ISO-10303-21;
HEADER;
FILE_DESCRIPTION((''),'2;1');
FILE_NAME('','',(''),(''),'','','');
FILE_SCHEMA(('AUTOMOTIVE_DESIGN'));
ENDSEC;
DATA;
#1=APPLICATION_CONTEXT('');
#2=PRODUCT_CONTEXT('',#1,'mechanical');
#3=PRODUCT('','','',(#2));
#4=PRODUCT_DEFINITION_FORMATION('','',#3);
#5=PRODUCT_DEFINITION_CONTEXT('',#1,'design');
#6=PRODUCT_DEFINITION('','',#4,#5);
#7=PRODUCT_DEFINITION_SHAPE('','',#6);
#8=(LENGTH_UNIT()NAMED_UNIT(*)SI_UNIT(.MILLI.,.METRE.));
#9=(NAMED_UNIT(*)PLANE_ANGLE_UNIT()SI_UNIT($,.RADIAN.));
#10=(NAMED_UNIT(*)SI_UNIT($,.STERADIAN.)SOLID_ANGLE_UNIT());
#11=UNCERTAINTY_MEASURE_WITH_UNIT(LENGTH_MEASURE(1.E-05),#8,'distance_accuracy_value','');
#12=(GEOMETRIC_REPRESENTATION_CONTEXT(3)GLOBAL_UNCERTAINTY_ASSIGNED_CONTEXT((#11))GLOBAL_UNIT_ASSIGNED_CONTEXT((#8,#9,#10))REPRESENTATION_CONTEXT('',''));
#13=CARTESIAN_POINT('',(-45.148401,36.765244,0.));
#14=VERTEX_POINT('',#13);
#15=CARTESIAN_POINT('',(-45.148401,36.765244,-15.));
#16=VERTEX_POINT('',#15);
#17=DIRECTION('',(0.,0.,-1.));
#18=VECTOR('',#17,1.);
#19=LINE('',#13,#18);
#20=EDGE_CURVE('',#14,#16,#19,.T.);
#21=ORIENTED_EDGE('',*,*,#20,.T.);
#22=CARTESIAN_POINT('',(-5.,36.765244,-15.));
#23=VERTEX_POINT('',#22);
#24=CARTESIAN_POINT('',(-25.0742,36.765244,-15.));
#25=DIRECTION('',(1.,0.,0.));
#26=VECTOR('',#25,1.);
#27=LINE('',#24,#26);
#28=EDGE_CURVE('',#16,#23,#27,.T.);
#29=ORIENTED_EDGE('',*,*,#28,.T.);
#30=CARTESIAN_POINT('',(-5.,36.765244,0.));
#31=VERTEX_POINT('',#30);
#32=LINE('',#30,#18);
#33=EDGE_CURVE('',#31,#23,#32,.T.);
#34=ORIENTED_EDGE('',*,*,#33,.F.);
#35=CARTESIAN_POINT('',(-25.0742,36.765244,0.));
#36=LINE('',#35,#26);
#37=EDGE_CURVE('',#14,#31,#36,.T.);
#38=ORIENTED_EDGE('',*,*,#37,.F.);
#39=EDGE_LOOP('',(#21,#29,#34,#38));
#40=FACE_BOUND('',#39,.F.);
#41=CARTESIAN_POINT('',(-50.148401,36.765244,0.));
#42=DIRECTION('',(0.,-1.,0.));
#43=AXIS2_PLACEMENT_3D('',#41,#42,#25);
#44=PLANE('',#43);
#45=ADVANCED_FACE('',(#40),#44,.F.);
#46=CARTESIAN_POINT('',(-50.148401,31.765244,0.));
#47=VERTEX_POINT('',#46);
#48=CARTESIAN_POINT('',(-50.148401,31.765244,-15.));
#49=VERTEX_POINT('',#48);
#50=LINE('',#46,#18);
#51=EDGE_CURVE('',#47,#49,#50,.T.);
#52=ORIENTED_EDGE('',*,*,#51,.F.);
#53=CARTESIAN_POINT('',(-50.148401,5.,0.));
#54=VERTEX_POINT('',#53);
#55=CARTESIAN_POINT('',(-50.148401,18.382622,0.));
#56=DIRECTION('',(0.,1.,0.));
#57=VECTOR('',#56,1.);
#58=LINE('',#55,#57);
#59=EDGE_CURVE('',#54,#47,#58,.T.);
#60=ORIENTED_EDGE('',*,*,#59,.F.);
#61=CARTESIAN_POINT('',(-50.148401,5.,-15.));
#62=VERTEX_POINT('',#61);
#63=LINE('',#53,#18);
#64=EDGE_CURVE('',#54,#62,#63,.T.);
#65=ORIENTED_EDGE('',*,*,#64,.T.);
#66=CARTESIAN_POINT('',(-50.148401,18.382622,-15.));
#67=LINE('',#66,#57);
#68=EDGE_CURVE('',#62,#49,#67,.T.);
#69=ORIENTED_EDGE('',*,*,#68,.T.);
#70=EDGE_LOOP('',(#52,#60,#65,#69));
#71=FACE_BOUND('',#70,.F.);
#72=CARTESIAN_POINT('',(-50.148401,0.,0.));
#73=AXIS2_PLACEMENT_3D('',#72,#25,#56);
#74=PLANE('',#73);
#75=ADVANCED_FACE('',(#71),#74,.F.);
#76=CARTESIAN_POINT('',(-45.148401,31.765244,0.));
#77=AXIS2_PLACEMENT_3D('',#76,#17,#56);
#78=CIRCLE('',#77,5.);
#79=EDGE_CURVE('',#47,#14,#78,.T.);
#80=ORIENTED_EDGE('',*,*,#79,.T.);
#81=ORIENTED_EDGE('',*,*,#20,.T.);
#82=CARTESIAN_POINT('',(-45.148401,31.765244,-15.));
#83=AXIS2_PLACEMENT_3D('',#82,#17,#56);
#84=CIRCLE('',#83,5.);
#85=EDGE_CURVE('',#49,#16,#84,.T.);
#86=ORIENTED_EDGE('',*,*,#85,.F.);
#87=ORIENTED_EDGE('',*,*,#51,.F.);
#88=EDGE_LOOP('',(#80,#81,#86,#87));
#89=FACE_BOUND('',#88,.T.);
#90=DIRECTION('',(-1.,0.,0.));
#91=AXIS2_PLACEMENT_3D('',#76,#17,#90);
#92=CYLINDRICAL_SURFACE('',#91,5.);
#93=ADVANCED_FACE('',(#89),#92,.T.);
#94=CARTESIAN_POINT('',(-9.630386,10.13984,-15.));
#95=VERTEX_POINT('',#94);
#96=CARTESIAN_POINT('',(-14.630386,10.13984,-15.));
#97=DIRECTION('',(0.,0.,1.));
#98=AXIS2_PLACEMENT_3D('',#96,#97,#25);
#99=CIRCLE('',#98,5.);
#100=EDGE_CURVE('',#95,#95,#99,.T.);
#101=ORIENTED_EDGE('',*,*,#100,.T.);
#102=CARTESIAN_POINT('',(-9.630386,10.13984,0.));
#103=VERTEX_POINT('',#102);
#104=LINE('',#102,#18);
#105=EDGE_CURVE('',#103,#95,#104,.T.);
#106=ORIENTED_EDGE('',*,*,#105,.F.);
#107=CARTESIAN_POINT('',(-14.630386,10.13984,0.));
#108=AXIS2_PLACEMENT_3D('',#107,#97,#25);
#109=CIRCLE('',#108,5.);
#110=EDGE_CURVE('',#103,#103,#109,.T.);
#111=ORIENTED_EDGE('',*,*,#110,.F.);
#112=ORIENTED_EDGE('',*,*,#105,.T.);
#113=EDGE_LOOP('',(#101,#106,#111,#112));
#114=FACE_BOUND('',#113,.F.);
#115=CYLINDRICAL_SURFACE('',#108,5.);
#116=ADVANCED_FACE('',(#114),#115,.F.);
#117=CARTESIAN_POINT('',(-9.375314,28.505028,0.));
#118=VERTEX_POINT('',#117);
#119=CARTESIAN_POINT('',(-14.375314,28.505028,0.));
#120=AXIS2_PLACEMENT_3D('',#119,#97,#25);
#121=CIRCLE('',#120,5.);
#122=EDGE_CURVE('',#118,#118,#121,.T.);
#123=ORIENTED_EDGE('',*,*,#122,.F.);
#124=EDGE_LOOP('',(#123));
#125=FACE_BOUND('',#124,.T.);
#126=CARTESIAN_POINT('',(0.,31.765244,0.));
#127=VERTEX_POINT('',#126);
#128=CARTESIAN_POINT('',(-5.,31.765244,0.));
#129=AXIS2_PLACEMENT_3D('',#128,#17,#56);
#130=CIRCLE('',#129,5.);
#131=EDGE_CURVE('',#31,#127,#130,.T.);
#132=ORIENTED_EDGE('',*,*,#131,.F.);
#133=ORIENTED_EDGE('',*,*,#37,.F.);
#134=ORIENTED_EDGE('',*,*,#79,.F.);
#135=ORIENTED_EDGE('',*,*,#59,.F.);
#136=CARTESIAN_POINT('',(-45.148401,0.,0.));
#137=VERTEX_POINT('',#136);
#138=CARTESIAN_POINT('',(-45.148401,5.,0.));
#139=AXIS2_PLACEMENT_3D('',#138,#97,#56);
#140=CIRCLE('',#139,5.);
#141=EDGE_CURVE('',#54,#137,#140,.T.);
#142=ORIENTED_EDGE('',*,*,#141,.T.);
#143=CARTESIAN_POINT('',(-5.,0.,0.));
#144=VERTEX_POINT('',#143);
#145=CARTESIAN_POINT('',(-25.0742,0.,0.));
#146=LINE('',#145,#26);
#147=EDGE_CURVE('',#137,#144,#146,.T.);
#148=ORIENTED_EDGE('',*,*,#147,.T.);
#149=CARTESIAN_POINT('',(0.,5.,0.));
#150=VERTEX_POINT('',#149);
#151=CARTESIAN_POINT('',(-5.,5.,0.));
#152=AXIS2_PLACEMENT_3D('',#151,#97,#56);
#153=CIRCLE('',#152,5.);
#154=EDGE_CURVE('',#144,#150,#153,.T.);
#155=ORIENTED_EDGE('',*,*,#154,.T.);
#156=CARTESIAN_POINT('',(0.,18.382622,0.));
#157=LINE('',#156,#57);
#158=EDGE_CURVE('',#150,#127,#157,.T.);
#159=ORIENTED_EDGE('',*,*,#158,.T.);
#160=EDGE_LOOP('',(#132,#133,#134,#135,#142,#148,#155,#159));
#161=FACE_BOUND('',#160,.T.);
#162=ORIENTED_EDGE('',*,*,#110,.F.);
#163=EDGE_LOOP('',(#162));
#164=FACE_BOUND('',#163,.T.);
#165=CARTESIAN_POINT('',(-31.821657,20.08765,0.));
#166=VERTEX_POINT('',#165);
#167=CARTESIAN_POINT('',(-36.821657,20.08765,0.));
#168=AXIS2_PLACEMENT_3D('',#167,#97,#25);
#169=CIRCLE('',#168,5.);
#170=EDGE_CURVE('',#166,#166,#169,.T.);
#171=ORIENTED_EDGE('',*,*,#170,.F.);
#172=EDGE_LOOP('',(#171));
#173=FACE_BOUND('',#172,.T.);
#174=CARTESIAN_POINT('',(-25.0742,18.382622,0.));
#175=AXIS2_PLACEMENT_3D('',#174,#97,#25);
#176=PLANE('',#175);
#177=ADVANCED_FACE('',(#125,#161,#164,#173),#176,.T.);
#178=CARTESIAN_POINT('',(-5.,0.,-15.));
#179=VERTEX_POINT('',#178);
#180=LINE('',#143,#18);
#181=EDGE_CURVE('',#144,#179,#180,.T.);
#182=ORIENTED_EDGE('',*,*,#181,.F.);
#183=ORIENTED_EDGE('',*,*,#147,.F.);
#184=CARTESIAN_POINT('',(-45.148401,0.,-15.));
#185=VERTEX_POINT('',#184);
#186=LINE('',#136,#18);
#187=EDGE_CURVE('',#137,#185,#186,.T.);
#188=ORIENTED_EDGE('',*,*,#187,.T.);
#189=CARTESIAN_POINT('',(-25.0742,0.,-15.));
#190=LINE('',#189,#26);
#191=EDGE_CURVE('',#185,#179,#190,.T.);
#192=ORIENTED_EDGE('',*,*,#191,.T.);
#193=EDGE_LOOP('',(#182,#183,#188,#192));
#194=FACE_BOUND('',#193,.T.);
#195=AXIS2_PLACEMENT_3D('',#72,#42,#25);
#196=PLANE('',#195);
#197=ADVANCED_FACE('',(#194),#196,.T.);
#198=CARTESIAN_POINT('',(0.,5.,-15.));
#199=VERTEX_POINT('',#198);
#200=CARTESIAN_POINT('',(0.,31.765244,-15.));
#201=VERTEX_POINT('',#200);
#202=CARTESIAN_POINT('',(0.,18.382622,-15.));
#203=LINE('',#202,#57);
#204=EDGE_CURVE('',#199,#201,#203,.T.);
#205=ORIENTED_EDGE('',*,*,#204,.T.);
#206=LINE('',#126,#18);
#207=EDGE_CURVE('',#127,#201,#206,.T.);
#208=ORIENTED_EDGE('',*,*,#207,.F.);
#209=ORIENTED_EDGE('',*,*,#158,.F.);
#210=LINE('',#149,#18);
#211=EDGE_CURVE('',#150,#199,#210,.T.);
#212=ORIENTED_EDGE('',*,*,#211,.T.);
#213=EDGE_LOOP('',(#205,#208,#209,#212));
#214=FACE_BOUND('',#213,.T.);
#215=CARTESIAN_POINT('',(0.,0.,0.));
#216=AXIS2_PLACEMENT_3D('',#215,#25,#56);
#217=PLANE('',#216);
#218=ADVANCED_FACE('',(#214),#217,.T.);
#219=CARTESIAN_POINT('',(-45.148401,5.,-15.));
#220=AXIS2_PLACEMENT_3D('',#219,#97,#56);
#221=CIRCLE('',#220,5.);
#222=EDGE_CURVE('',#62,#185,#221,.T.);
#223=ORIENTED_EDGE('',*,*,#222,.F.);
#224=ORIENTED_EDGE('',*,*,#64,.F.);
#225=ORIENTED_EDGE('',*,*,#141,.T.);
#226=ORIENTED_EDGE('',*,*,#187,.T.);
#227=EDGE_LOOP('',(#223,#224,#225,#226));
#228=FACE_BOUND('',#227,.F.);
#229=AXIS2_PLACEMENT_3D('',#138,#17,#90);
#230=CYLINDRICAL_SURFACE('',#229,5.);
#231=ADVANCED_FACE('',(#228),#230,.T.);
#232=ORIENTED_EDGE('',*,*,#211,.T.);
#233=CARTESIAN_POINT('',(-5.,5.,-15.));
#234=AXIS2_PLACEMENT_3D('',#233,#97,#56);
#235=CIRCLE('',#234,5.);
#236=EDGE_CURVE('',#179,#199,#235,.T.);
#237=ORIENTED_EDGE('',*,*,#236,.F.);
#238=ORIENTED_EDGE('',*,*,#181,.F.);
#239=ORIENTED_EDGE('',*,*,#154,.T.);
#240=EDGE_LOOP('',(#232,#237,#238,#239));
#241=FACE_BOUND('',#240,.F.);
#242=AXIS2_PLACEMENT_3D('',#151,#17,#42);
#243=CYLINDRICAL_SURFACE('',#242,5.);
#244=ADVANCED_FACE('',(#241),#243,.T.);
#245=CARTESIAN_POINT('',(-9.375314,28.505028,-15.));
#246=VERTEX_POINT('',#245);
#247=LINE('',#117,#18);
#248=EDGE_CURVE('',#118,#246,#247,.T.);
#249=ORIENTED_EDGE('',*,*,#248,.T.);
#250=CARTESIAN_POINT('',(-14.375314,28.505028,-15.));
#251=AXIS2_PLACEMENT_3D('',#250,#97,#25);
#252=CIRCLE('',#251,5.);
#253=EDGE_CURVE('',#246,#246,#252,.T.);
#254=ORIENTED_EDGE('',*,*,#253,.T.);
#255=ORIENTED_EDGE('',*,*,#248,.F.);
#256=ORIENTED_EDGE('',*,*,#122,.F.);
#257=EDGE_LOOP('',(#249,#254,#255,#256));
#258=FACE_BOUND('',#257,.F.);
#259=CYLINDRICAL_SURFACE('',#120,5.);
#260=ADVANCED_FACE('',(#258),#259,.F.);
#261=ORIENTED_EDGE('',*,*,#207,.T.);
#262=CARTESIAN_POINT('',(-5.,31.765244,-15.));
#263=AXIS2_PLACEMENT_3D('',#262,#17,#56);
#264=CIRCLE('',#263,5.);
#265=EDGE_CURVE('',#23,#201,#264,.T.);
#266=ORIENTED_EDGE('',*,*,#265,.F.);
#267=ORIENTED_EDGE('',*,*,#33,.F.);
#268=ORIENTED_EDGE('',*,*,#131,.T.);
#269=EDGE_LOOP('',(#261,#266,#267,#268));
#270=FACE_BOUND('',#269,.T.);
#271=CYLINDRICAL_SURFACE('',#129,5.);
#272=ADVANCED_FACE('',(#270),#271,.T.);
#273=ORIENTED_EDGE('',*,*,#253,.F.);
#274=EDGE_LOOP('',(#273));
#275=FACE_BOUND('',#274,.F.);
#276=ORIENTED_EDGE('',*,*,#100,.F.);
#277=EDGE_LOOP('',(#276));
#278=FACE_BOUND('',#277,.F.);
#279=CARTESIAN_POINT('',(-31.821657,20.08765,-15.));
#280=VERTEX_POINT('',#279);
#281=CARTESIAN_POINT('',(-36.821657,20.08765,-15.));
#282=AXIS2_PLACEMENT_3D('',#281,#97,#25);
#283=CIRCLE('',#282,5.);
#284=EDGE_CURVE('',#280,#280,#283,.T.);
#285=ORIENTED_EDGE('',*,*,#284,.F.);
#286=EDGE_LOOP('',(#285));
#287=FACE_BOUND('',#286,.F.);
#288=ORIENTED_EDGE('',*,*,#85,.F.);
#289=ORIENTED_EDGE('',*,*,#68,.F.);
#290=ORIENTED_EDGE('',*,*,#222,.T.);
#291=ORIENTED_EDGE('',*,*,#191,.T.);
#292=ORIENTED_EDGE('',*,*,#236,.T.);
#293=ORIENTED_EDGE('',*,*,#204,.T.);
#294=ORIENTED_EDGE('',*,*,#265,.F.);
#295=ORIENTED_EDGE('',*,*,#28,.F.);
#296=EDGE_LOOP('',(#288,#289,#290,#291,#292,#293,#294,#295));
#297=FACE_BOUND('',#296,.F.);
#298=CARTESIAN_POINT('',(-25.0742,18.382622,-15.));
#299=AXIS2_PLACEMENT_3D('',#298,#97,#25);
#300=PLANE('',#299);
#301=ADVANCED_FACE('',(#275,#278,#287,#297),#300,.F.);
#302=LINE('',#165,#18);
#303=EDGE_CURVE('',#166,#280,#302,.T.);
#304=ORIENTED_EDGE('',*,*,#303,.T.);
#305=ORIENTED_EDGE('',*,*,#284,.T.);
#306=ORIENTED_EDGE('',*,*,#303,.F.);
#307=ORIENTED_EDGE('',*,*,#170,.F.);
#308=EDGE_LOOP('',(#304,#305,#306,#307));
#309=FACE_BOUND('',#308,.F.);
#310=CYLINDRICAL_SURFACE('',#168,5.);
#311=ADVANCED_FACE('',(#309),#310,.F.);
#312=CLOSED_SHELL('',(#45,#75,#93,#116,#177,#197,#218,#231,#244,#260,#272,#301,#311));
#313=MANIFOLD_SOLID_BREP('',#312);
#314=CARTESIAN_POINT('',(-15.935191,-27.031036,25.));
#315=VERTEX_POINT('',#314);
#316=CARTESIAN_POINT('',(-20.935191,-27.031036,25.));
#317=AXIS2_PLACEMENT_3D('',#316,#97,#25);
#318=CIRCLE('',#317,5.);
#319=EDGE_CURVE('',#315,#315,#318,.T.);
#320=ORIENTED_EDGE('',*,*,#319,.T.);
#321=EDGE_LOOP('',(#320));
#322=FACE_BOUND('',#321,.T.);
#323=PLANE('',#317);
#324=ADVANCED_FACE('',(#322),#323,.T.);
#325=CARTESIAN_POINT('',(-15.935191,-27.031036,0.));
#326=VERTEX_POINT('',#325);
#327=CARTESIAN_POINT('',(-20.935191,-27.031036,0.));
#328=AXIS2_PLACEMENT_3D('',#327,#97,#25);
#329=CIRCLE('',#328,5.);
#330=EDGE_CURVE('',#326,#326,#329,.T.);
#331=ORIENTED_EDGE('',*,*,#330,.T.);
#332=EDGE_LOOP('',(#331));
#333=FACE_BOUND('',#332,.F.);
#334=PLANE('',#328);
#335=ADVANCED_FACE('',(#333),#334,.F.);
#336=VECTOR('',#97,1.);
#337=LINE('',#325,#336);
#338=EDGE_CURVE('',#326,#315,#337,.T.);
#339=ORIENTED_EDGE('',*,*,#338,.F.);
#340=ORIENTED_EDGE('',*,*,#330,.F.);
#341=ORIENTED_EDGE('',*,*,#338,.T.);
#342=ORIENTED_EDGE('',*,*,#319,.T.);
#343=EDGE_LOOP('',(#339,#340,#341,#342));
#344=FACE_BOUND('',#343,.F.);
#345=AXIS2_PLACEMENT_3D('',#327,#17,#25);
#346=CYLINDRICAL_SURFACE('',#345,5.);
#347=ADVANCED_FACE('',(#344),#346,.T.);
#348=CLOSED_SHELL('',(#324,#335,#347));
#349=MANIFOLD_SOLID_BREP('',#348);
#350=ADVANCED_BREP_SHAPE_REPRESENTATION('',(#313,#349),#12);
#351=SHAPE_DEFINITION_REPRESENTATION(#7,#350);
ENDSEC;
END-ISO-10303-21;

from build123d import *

# Parameters (mm, degrees)
F0_W     = 50.148401
F0_H     = 36.765244
F1_DEPTH = 15
F2_R     = 5
F3_DEPTH = 25
F4_R     = 5
F5_R     = 5
F6_DEPTH = 25


with BuildPart() as f1:
    # F0 (on Top) → F1 (new body)
    with BuildSketch(Plane.XY):
        with Locations((-25.0742, 18.382622)):
            Rectangle(F0_W, F0_H)
    extrude(amount=-F1_DEPTH)

    # F2 (on face) → F3 (cut)
    with BuildSketch(Plane.XY):
        with Locations((-14.375314, 28.505028)):
            Circle(F2_R)
        with Locations((-14.630386, 10.13984)):
            Circle(F2_R)
        with Locations((-36.821657, 20.08765)):
            Circle(F2_R)
    extrude(amount=-F3_DEPTH, mode=Mode.SUBTRACT)

    # F4
    f4_edges = [f1.edges().sort_by_distance(p)[0] for p in [
        (-50.148401, 0, -7.5),
        (0, 0, -7.5),
        (0, 36.765244, -7.5),
        (-50.148401, 36.765244, -7.5),
    ]]
    fillet(f4_edges, radius=F4_R)


with BuildPart() as f6:
    # F5 (on Top) → F6 (new body)
    with BuildSketch(Plane.XY):
        with Locations((-20.935191, -27.031036)):
            Circle(F5_R)
    extrude(amount=F6_DEPTH)


solid = Compound([f1.part, f6.part])
